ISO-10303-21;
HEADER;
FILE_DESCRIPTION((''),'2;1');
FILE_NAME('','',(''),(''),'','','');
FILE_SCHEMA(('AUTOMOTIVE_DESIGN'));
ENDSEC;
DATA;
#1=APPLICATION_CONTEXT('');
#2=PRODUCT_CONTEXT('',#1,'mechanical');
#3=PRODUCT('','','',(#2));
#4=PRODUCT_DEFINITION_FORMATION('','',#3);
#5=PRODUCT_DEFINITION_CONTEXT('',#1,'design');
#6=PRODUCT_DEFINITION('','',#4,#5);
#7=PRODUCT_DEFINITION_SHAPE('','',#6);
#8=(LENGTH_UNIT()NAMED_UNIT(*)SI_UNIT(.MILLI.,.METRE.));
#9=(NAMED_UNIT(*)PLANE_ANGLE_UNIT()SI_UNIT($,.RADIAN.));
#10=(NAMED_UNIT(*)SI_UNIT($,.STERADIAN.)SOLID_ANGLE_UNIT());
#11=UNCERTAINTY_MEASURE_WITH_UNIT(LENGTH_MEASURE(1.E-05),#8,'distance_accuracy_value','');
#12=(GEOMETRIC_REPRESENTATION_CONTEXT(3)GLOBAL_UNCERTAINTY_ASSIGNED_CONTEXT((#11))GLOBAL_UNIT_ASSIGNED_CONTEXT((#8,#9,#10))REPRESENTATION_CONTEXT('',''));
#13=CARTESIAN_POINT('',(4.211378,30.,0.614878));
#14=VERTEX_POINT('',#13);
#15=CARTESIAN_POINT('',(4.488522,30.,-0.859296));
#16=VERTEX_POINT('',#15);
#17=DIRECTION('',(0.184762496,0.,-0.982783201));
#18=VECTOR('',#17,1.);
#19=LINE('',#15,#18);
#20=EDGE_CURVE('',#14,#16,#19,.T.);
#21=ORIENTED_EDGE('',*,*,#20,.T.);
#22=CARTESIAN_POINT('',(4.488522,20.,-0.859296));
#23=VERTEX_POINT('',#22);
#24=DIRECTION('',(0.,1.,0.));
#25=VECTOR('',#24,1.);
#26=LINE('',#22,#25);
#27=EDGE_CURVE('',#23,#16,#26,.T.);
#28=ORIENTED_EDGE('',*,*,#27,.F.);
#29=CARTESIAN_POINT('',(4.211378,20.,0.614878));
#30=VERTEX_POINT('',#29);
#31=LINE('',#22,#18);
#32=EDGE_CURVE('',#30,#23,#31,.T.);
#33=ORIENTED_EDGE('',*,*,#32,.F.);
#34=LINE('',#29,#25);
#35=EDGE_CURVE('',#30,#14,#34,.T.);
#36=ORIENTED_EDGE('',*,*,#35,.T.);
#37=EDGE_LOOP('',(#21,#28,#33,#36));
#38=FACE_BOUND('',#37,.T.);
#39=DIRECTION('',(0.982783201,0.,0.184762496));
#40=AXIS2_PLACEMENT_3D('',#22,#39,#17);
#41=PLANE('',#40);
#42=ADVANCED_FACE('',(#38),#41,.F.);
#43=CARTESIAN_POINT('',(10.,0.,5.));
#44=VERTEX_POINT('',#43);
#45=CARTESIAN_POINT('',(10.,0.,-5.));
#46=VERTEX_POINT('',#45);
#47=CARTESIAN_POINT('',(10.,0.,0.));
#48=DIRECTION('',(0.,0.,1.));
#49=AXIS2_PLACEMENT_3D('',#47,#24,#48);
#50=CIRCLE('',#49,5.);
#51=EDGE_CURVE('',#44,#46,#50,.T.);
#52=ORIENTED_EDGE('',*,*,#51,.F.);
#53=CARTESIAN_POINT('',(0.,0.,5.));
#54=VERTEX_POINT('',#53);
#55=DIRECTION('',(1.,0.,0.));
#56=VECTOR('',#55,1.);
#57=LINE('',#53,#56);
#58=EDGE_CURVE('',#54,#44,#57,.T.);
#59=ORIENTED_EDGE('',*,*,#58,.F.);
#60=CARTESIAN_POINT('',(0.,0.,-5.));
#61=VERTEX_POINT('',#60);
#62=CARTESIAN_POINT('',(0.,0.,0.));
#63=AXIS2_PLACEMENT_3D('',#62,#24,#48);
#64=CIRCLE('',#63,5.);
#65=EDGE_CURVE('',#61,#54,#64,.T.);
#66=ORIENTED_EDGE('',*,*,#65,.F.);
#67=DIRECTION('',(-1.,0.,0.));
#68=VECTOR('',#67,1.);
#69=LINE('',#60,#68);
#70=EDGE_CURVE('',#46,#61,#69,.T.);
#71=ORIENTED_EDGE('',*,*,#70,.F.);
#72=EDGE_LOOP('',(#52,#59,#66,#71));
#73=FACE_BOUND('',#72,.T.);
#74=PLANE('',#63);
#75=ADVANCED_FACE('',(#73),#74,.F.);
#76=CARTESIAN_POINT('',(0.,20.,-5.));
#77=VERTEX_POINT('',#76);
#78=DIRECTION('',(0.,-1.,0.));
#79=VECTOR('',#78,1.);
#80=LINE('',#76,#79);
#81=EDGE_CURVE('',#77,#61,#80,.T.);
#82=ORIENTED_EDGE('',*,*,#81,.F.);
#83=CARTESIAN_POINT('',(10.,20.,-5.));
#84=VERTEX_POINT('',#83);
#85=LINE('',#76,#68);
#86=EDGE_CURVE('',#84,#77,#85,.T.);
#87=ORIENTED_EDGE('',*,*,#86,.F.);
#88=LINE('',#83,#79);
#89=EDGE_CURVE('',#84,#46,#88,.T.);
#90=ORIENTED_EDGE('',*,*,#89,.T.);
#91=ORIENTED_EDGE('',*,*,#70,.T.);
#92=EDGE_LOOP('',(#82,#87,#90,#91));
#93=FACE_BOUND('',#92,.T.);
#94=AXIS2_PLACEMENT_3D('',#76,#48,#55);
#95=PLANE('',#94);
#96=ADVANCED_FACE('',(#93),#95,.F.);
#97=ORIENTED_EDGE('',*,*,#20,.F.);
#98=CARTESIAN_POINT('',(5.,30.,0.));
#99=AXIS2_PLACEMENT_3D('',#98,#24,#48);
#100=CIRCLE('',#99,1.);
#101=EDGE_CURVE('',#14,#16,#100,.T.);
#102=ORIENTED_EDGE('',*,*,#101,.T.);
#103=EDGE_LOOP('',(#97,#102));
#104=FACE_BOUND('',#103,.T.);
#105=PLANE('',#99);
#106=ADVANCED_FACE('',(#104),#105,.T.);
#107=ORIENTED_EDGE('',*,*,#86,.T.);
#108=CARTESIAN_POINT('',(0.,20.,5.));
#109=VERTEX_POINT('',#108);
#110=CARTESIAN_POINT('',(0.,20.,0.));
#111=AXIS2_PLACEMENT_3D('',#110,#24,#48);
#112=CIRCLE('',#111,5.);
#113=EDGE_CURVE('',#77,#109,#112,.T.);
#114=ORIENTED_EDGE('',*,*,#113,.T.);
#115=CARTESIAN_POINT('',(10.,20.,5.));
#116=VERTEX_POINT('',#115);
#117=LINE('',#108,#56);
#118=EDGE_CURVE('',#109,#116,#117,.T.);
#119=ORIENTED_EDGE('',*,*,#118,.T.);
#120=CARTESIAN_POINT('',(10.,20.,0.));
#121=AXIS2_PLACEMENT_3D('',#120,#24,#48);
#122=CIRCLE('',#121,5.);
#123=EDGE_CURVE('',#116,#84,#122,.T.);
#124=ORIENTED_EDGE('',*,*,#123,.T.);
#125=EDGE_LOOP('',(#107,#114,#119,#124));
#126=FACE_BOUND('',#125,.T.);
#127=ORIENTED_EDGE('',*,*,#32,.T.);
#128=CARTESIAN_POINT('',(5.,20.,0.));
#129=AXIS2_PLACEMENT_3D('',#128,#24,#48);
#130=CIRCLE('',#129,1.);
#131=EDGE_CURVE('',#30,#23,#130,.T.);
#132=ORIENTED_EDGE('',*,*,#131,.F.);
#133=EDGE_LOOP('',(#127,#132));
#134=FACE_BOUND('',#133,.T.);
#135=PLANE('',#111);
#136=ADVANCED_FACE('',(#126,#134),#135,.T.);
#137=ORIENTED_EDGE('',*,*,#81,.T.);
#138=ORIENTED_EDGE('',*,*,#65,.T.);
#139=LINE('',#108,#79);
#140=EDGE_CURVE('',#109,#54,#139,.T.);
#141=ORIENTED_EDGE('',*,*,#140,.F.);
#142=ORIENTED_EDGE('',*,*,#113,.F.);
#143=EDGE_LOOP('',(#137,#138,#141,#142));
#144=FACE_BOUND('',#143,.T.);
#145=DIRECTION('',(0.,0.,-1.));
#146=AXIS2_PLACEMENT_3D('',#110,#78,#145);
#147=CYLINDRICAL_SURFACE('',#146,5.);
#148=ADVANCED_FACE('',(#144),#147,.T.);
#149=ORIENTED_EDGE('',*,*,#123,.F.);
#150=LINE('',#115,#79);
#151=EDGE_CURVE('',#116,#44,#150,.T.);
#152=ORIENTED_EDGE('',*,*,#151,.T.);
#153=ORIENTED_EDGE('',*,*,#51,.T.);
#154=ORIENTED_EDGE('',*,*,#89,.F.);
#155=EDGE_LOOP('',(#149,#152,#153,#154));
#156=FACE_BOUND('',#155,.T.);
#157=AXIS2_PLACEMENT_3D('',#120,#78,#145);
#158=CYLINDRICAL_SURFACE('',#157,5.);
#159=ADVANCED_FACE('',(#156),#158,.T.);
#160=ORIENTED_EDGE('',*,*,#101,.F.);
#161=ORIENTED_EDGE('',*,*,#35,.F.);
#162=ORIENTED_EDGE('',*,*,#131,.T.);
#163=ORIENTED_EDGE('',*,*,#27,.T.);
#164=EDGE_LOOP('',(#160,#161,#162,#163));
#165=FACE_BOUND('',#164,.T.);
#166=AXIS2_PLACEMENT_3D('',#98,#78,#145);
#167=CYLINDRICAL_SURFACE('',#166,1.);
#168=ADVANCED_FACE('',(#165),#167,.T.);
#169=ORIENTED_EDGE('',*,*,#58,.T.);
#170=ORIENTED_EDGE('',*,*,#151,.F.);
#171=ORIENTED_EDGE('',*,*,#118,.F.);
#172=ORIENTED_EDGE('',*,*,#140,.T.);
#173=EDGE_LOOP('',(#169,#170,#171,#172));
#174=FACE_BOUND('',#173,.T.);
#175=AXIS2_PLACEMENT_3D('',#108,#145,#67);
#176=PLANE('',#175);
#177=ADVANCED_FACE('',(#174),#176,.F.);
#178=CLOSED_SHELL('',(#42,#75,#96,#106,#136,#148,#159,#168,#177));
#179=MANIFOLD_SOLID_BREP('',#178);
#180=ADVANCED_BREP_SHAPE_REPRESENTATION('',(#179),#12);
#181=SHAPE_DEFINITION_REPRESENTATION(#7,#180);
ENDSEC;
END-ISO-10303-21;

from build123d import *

# Parameters (mm, degrees)
BOSS_EXTRUDE1_DEPTH = 20
SKETCH4_R           = 1
BOSS_EXTRUDE2_DEPTH = 10
CUT_EXTRUDE1_START  = -10
CUT_EXTRUDE1_DEPTH  = 10


with BuildPart() as part:
    # Sketch1 → Boss-Extrude1 (new body)
    with BuildSketch(Plane(origin=(0, 0, 0), x_dir=(1, 0, 0), z_dir=(0, 1, 0))):
        with BuildLine():
            Line((0, 5), (10, 5))
            ThreePointArc((10, 5), (15, 0), (10, -5))
            Line((10, -5), (0, -5))
            ThreePointArc((0, -5), (-5, 0), (0, 5))
        make_face()
    extrude(amount=BOSS_EXTRUDE1_DEPTH)

    # Sketch4 → Boss-Extrude2 (add)
    with BuildSketch(Plane(origin=(0, 20, 0), x_dir=(1, 0, 0), z_dir=(0, 1, 0))):
        with Locations(Location((5, 0, 0), (0, 0, 270))):
            Circle(SKETCH4_R)
    extrude(amount=BOSS_EXTRUDE2_DEPTH)

    # Sketch5 → Cut-Extrude1 (cut)
    with BuildSketch(Plane(origin=(0, 30, 0), x_dir=(1, 0, 0), z_dir=(0, 1, 0)).offset(CUT_EXTRUDE1_START)):
        with BuildLine():
            Line((4.488521887, 0.859296305), (4.211378142, -0.614878497))
            ThreePointArc((4.211378142, -0.614878497), (4.017216799, 0.184762496), (4.488521887, 0.859296305))
        make_face()
    extrude(amount=CUT_EXTRUDE1_DEPTH, mode=Mode.SUBTRACT)


solid = part.part
